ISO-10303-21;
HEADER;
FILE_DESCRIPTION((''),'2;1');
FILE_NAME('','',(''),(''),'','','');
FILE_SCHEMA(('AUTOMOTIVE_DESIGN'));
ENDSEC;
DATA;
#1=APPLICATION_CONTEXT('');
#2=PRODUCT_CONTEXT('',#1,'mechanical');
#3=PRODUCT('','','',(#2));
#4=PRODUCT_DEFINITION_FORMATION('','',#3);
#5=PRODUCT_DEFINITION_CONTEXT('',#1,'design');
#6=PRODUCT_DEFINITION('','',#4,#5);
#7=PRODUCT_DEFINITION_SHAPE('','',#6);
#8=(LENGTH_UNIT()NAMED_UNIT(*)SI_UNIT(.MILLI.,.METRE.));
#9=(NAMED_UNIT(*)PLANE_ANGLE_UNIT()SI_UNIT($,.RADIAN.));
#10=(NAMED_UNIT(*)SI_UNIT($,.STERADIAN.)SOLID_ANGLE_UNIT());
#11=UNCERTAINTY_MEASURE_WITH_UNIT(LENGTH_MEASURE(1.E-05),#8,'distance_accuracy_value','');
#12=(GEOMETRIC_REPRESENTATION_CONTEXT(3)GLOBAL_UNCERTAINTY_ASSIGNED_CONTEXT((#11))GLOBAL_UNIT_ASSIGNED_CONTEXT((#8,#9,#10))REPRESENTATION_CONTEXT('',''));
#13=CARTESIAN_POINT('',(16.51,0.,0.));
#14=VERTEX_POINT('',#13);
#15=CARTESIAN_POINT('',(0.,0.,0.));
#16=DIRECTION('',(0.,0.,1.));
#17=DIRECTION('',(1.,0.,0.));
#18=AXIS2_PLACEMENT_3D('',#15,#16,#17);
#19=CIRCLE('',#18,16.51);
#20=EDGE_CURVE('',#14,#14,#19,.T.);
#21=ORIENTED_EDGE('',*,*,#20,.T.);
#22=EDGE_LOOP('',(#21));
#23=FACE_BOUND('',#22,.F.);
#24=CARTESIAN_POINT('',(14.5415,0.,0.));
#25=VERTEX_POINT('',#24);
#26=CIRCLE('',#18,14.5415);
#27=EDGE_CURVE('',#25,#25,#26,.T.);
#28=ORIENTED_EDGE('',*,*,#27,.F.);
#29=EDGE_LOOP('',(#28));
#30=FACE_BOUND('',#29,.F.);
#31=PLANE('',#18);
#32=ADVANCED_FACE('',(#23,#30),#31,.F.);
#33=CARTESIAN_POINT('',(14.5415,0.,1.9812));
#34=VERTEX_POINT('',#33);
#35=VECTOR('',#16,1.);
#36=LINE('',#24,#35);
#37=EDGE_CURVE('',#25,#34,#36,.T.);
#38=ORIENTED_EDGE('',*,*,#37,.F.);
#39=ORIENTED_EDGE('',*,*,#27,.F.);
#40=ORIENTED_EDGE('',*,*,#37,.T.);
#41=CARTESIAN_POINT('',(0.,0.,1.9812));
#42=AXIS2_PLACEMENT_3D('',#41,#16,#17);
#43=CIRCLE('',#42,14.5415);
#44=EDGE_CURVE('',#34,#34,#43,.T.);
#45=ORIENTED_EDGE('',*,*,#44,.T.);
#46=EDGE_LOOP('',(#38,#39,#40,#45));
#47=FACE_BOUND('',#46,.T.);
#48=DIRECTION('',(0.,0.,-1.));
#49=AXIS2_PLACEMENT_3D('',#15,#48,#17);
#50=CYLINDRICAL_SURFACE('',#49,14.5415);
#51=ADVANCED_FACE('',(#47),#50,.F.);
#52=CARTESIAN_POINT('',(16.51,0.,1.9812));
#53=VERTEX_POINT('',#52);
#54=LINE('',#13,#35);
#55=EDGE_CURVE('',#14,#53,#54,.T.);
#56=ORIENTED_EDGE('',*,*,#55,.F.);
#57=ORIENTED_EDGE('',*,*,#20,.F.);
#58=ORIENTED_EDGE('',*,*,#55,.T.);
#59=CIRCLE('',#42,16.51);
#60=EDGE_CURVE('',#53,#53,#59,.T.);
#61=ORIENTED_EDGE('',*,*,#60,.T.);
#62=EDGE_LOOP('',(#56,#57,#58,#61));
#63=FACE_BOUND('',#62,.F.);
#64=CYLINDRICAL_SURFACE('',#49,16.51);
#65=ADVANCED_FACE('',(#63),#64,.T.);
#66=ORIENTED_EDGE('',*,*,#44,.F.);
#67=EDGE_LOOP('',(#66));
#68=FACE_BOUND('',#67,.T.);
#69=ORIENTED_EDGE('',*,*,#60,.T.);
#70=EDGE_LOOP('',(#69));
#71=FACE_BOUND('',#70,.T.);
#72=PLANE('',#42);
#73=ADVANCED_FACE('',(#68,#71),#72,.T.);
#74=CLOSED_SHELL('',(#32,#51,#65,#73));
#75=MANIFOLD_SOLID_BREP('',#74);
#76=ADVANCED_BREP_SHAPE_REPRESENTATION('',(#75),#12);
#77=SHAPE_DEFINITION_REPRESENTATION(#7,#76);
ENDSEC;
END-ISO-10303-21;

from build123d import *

# Parameters (mm, degrees)
F0_R     = 16.51
F0_R_2   = 14.5415
F1_DEPTH = 1.9812


with BuildPart() as f1:
    # F0 (on Top) → F1 (new body)
    with BuildSketch(Plane.XY):
        Circle(F0_R)
        Circle(F0_R_2, mode=Mode.SUBTRACT)
    extrude(amount=F1_DEPTH)


solid = f1.part
